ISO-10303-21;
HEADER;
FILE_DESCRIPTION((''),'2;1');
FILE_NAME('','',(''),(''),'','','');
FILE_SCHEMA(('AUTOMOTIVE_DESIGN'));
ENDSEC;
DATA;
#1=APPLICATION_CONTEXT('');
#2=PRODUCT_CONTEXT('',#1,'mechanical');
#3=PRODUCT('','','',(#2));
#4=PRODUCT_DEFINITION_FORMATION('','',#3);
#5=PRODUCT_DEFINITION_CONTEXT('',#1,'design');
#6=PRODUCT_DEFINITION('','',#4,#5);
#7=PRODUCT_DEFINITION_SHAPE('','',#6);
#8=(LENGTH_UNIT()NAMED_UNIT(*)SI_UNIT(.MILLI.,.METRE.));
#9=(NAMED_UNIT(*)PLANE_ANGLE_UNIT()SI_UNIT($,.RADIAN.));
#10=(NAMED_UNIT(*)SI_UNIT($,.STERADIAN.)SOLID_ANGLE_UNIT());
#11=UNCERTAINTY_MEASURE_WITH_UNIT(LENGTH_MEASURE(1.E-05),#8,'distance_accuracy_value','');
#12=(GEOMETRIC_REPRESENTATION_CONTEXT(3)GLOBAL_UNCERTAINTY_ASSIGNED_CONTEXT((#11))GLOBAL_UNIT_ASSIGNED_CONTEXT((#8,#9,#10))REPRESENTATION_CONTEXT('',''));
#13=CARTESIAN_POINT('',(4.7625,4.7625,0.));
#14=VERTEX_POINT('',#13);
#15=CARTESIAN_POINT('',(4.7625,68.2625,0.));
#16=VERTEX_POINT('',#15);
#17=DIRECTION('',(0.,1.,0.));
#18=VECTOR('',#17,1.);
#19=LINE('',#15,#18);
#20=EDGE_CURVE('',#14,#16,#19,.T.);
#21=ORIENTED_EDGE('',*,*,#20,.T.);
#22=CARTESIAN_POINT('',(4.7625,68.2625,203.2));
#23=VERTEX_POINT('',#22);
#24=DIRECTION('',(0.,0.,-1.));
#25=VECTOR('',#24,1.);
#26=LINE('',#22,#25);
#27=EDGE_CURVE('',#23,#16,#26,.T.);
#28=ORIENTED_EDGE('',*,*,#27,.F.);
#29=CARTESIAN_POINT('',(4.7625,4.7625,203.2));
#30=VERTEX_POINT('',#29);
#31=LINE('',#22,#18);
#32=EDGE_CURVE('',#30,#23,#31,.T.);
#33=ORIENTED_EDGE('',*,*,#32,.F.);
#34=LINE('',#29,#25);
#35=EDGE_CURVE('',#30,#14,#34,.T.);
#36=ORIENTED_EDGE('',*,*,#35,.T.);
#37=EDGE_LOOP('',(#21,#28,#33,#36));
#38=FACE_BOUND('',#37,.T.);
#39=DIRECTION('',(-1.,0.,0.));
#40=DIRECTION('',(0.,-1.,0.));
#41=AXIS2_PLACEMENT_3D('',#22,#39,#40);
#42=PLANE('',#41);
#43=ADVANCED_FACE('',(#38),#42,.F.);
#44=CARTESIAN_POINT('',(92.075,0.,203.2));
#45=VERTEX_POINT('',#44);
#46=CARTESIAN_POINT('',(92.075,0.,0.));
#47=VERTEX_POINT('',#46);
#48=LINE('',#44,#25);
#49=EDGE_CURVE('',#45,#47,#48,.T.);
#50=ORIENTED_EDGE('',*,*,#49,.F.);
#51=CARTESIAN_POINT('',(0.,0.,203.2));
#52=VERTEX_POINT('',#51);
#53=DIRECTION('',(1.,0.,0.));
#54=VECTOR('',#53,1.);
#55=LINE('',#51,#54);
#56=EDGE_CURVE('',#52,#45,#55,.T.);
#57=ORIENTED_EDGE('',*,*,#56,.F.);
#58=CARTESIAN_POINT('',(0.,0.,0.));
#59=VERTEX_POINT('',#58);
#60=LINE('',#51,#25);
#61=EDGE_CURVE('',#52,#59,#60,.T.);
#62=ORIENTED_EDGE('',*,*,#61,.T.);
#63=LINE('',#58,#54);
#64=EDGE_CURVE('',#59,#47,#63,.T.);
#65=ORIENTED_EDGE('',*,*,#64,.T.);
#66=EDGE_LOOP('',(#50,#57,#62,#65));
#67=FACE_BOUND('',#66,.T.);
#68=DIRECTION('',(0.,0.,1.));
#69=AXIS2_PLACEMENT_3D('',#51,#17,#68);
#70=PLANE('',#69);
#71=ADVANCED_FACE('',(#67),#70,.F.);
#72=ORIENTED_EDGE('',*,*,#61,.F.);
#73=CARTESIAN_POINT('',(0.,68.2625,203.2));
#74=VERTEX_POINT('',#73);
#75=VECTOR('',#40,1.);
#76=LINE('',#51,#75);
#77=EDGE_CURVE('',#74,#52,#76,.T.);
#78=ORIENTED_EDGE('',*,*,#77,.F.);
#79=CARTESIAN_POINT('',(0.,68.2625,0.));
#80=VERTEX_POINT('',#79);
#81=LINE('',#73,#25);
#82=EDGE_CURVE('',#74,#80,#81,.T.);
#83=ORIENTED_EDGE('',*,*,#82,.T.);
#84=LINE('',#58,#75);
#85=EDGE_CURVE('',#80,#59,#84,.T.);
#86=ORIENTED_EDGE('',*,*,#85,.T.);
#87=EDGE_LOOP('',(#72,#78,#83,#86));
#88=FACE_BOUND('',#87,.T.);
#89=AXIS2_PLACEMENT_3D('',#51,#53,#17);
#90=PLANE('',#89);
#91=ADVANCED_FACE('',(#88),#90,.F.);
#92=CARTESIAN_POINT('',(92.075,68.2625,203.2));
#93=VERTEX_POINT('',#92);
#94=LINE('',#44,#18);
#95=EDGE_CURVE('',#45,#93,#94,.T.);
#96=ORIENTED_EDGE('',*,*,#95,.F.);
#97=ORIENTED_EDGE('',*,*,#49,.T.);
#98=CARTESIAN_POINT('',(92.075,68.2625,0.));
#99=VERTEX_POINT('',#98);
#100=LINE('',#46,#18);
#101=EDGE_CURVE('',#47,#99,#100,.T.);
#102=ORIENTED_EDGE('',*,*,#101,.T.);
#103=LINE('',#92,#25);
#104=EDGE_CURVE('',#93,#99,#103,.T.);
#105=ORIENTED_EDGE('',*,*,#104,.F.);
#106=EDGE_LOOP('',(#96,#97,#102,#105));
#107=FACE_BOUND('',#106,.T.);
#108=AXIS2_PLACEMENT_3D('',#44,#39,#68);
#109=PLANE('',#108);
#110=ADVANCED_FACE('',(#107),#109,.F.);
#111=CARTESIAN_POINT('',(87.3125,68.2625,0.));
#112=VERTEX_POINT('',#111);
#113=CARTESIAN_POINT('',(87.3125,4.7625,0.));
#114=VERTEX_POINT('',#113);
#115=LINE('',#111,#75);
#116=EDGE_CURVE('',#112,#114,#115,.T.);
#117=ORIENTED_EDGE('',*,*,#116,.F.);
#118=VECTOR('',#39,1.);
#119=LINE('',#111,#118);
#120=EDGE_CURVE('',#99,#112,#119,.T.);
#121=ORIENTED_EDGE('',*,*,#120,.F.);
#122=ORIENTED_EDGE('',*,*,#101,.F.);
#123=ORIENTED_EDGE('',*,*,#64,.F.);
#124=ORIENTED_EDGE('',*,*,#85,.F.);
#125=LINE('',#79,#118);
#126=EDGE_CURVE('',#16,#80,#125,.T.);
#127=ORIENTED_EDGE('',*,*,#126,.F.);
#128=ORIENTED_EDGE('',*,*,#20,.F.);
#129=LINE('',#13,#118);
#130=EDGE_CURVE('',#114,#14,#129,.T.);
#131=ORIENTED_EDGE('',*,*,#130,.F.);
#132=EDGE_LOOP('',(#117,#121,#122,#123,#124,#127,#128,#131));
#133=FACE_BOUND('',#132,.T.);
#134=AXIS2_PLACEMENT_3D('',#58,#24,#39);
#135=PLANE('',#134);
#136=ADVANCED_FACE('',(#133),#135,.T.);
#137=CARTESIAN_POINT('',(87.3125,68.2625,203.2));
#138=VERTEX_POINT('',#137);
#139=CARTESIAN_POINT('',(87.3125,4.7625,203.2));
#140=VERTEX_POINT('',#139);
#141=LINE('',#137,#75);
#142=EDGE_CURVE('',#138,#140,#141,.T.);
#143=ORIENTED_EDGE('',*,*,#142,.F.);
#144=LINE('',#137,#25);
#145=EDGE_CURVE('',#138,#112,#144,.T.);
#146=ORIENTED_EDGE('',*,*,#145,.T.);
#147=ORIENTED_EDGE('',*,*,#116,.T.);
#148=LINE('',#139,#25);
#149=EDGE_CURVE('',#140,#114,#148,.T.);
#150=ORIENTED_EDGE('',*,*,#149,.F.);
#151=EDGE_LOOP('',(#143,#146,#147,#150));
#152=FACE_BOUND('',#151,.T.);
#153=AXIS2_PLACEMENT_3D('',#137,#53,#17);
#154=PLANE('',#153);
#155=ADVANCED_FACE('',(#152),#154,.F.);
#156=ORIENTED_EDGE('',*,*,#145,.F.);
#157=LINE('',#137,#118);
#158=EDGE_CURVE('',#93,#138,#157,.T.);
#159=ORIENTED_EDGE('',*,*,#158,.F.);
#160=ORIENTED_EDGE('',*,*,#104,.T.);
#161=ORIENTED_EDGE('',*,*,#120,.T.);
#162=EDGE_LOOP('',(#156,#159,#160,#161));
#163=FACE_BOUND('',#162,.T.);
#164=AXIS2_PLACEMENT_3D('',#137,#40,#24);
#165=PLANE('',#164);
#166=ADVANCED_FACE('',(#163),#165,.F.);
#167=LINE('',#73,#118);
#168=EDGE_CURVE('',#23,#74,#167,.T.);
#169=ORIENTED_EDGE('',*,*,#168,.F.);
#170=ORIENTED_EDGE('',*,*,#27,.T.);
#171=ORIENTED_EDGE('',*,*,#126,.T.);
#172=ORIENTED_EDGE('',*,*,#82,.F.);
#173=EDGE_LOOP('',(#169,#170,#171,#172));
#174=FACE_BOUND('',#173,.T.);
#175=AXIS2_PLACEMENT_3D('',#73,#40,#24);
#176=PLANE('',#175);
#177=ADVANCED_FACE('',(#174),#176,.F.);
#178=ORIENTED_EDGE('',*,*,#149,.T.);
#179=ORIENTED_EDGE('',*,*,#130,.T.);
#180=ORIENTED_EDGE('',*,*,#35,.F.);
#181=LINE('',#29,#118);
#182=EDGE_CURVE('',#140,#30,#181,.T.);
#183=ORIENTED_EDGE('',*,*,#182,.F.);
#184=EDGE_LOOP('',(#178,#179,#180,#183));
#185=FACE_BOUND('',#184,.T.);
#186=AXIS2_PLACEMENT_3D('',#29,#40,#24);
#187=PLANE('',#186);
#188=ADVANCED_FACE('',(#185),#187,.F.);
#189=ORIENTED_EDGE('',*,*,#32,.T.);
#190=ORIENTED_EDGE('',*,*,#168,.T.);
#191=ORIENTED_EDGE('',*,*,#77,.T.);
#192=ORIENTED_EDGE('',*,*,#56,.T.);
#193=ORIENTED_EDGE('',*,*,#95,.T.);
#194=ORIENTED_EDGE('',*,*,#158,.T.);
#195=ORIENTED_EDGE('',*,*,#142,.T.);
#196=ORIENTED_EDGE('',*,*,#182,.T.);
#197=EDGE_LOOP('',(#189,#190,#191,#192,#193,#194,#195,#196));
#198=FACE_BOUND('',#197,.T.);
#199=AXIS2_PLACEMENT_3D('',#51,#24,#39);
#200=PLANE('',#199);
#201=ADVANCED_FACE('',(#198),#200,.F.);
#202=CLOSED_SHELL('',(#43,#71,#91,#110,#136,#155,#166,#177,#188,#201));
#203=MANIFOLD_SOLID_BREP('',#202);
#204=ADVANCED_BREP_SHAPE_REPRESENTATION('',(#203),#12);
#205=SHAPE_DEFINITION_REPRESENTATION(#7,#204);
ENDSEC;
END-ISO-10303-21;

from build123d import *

# Parameters (mm, degrees)
BOSS_EXTRUDE1_DEPTH = 203.2


with BuildPart() as part:
    # Sketch1 → Boss-Extrude1 (new body)
    with BuildSketch(Plane.XY):
        Polygon((87.3125, 68.2625), (92.075, 68.2625), (92.075, 0), (0, 0), (0, 68.2625), (4.7625, 68.2625), (4.7625, 4.7625), (87.3125, 4.7625), align=None)
    extrude(amount=BOSS_EXTRUDE1_DEPTH)


solid = part.part
